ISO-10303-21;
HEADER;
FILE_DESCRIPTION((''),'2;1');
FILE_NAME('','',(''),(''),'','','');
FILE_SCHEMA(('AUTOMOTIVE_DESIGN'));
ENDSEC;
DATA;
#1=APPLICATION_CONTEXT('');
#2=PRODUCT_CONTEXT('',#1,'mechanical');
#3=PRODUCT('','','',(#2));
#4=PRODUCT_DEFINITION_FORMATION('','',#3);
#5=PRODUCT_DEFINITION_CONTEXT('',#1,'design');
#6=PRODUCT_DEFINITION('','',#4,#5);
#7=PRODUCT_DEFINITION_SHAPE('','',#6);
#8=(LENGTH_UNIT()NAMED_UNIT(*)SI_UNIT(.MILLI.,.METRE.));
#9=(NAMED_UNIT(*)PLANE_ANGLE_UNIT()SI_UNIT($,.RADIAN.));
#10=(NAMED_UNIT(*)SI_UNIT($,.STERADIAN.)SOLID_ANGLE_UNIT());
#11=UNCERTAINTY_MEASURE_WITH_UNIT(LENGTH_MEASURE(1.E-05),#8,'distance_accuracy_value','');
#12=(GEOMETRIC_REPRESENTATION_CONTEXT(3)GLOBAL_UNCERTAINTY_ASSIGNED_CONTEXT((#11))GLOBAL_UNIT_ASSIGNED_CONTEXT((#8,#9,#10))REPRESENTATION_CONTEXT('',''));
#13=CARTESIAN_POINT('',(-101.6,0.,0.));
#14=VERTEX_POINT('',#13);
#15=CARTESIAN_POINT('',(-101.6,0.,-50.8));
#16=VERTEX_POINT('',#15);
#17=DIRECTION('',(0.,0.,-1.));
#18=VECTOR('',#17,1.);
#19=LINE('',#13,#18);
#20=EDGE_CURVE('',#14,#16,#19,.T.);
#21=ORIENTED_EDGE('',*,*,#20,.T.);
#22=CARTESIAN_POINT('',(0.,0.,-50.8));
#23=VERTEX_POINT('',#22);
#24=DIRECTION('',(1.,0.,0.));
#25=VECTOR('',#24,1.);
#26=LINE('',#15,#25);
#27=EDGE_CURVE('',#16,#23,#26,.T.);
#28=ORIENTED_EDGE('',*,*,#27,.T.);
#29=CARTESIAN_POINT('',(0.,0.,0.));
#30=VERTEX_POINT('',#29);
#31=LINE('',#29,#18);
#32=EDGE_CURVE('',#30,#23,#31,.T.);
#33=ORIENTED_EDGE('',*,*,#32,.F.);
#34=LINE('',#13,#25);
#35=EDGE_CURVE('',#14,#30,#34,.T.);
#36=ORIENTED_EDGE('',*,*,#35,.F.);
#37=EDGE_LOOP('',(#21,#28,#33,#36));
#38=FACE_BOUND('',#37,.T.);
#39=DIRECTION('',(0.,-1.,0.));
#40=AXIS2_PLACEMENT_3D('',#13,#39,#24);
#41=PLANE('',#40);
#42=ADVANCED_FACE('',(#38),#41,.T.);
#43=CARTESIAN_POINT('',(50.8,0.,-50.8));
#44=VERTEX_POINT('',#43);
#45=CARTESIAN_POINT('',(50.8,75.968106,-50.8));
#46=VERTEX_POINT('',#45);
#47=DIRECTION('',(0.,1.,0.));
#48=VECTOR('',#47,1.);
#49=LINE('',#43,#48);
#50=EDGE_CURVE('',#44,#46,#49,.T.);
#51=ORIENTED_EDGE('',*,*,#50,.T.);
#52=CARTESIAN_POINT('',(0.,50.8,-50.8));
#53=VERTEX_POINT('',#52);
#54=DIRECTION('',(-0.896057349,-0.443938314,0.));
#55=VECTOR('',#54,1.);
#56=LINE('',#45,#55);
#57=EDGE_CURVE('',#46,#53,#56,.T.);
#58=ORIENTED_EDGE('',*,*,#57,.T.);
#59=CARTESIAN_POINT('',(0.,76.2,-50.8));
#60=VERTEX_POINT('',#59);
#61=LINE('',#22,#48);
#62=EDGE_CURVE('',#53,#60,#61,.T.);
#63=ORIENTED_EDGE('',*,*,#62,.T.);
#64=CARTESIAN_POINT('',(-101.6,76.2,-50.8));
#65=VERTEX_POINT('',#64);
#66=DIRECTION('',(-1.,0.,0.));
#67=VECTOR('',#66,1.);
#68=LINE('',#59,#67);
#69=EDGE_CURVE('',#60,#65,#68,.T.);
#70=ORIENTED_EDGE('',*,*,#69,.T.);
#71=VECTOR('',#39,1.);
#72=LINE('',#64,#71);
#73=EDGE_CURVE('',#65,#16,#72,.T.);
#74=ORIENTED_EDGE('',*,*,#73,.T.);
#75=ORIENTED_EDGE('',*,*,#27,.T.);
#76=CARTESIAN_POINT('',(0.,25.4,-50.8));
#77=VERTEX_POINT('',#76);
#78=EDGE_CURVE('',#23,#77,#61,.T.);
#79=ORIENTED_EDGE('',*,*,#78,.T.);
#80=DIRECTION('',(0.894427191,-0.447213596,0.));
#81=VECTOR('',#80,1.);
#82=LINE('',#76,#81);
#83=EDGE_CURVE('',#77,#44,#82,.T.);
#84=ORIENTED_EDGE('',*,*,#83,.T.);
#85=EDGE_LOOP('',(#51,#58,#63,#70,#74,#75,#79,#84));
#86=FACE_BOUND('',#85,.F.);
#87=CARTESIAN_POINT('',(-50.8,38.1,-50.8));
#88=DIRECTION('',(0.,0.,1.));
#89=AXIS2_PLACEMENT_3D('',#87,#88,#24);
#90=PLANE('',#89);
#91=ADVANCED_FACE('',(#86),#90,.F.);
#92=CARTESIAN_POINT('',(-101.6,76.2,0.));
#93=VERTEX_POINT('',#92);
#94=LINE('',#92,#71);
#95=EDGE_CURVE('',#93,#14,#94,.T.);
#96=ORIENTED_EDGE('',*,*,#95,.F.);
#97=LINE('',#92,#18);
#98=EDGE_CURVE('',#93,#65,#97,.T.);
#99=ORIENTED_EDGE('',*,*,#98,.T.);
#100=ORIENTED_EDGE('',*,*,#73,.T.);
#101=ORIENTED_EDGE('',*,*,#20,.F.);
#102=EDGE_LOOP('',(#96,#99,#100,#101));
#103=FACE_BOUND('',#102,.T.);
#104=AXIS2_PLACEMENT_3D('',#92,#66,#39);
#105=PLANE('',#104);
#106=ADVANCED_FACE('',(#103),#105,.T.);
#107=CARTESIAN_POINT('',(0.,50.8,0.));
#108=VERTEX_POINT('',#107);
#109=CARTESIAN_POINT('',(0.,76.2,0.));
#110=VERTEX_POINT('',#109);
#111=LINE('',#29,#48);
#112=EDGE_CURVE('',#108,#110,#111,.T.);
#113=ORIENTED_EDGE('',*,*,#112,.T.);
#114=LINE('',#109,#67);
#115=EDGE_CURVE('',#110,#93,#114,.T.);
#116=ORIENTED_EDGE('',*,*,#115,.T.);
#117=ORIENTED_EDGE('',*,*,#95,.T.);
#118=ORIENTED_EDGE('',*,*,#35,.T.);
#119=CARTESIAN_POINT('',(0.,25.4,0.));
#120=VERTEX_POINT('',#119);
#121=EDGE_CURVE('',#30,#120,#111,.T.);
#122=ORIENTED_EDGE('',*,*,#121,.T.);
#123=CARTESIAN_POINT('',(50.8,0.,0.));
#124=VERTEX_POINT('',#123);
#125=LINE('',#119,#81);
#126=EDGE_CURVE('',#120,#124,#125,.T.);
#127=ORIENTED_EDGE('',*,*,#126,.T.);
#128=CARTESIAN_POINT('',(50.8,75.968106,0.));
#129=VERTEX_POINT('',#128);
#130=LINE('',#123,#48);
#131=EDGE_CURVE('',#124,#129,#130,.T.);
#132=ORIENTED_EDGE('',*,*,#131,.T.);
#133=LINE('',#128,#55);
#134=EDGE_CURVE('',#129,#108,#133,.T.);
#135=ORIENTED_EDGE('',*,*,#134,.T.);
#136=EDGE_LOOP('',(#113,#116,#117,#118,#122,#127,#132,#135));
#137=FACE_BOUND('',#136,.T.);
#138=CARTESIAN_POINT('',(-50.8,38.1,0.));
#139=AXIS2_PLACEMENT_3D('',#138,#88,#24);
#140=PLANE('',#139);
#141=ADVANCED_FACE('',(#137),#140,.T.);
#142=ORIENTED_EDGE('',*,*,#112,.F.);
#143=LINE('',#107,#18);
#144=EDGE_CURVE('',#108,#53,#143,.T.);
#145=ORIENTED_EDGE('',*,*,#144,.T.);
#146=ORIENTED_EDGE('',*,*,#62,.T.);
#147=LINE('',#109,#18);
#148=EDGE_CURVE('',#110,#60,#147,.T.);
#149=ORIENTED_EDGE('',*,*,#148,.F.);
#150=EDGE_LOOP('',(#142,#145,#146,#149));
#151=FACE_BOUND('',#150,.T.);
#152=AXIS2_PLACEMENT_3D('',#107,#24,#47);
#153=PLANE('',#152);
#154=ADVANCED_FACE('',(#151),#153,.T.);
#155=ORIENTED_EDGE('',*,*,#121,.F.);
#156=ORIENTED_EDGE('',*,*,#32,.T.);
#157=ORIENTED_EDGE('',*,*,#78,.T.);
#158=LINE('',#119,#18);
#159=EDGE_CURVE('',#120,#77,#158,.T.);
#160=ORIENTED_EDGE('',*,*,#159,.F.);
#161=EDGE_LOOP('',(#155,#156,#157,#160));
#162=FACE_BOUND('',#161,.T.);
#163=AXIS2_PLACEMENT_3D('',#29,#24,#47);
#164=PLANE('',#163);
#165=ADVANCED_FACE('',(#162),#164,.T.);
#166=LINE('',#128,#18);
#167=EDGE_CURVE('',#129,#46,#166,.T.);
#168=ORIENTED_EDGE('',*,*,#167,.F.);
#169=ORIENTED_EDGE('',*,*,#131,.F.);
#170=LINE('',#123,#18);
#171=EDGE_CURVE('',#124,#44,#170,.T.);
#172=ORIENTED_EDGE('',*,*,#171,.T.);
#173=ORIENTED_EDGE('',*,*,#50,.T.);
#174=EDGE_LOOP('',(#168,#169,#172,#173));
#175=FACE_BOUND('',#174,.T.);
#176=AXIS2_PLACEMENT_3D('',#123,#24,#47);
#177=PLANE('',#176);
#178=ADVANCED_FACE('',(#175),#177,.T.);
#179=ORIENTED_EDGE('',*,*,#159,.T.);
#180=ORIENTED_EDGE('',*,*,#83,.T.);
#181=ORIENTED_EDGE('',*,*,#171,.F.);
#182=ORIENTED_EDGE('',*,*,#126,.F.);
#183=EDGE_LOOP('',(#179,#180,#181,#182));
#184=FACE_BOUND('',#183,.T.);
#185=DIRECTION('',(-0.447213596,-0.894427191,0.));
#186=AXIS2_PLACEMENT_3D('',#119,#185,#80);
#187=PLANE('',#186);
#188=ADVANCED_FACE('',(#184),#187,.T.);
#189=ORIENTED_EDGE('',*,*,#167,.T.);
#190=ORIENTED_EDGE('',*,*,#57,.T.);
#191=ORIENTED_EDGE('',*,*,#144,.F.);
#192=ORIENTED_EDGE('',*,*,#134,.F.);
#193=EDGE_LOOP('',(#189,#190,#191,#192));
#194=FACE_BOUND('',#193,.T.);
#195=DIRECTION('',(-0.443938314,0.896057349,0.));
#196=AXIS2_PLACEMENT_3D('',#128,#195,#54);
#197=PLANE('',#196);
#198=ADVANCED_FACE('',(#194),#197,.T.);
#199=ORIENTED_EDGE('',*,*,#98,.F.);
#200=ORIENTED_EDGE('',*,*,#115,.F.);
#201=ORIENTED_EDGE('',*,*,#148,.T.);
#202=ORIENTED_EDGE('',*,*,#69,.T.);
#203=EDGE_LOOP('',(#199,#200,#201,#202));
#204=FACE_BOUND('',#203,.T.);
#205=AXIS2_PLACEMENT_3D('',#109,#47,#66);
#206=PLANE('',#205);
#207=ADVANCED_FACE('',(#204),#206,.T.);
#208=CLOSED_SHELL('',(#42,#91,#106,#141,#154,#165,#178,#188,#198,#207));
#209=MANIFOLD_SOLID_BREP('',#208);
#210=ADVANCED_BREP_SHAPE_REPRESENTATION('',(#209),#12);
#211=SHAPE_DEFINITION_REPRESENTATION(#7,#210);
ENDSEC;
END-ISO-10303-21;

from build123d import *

# Parameters (mm, degrees)
F1_DEPTH = 50.8


with BuildPart() as f1:
    # F0 (on Top) → F1 (new body)
    with BuildSketch(Plane.XY):
        Polygon((-101.6, 0), (0, 0), (0, 25.4), (0, 50.8), (0, 76.2), (-101.6, 76.2), align=None)
        Polygon((0, 50.8), (0, 25.4), (50.8, 0), (50.8, 75.968106), align=None)
    extrude(amount=-F1_DEPTH)


solid = f1.part
